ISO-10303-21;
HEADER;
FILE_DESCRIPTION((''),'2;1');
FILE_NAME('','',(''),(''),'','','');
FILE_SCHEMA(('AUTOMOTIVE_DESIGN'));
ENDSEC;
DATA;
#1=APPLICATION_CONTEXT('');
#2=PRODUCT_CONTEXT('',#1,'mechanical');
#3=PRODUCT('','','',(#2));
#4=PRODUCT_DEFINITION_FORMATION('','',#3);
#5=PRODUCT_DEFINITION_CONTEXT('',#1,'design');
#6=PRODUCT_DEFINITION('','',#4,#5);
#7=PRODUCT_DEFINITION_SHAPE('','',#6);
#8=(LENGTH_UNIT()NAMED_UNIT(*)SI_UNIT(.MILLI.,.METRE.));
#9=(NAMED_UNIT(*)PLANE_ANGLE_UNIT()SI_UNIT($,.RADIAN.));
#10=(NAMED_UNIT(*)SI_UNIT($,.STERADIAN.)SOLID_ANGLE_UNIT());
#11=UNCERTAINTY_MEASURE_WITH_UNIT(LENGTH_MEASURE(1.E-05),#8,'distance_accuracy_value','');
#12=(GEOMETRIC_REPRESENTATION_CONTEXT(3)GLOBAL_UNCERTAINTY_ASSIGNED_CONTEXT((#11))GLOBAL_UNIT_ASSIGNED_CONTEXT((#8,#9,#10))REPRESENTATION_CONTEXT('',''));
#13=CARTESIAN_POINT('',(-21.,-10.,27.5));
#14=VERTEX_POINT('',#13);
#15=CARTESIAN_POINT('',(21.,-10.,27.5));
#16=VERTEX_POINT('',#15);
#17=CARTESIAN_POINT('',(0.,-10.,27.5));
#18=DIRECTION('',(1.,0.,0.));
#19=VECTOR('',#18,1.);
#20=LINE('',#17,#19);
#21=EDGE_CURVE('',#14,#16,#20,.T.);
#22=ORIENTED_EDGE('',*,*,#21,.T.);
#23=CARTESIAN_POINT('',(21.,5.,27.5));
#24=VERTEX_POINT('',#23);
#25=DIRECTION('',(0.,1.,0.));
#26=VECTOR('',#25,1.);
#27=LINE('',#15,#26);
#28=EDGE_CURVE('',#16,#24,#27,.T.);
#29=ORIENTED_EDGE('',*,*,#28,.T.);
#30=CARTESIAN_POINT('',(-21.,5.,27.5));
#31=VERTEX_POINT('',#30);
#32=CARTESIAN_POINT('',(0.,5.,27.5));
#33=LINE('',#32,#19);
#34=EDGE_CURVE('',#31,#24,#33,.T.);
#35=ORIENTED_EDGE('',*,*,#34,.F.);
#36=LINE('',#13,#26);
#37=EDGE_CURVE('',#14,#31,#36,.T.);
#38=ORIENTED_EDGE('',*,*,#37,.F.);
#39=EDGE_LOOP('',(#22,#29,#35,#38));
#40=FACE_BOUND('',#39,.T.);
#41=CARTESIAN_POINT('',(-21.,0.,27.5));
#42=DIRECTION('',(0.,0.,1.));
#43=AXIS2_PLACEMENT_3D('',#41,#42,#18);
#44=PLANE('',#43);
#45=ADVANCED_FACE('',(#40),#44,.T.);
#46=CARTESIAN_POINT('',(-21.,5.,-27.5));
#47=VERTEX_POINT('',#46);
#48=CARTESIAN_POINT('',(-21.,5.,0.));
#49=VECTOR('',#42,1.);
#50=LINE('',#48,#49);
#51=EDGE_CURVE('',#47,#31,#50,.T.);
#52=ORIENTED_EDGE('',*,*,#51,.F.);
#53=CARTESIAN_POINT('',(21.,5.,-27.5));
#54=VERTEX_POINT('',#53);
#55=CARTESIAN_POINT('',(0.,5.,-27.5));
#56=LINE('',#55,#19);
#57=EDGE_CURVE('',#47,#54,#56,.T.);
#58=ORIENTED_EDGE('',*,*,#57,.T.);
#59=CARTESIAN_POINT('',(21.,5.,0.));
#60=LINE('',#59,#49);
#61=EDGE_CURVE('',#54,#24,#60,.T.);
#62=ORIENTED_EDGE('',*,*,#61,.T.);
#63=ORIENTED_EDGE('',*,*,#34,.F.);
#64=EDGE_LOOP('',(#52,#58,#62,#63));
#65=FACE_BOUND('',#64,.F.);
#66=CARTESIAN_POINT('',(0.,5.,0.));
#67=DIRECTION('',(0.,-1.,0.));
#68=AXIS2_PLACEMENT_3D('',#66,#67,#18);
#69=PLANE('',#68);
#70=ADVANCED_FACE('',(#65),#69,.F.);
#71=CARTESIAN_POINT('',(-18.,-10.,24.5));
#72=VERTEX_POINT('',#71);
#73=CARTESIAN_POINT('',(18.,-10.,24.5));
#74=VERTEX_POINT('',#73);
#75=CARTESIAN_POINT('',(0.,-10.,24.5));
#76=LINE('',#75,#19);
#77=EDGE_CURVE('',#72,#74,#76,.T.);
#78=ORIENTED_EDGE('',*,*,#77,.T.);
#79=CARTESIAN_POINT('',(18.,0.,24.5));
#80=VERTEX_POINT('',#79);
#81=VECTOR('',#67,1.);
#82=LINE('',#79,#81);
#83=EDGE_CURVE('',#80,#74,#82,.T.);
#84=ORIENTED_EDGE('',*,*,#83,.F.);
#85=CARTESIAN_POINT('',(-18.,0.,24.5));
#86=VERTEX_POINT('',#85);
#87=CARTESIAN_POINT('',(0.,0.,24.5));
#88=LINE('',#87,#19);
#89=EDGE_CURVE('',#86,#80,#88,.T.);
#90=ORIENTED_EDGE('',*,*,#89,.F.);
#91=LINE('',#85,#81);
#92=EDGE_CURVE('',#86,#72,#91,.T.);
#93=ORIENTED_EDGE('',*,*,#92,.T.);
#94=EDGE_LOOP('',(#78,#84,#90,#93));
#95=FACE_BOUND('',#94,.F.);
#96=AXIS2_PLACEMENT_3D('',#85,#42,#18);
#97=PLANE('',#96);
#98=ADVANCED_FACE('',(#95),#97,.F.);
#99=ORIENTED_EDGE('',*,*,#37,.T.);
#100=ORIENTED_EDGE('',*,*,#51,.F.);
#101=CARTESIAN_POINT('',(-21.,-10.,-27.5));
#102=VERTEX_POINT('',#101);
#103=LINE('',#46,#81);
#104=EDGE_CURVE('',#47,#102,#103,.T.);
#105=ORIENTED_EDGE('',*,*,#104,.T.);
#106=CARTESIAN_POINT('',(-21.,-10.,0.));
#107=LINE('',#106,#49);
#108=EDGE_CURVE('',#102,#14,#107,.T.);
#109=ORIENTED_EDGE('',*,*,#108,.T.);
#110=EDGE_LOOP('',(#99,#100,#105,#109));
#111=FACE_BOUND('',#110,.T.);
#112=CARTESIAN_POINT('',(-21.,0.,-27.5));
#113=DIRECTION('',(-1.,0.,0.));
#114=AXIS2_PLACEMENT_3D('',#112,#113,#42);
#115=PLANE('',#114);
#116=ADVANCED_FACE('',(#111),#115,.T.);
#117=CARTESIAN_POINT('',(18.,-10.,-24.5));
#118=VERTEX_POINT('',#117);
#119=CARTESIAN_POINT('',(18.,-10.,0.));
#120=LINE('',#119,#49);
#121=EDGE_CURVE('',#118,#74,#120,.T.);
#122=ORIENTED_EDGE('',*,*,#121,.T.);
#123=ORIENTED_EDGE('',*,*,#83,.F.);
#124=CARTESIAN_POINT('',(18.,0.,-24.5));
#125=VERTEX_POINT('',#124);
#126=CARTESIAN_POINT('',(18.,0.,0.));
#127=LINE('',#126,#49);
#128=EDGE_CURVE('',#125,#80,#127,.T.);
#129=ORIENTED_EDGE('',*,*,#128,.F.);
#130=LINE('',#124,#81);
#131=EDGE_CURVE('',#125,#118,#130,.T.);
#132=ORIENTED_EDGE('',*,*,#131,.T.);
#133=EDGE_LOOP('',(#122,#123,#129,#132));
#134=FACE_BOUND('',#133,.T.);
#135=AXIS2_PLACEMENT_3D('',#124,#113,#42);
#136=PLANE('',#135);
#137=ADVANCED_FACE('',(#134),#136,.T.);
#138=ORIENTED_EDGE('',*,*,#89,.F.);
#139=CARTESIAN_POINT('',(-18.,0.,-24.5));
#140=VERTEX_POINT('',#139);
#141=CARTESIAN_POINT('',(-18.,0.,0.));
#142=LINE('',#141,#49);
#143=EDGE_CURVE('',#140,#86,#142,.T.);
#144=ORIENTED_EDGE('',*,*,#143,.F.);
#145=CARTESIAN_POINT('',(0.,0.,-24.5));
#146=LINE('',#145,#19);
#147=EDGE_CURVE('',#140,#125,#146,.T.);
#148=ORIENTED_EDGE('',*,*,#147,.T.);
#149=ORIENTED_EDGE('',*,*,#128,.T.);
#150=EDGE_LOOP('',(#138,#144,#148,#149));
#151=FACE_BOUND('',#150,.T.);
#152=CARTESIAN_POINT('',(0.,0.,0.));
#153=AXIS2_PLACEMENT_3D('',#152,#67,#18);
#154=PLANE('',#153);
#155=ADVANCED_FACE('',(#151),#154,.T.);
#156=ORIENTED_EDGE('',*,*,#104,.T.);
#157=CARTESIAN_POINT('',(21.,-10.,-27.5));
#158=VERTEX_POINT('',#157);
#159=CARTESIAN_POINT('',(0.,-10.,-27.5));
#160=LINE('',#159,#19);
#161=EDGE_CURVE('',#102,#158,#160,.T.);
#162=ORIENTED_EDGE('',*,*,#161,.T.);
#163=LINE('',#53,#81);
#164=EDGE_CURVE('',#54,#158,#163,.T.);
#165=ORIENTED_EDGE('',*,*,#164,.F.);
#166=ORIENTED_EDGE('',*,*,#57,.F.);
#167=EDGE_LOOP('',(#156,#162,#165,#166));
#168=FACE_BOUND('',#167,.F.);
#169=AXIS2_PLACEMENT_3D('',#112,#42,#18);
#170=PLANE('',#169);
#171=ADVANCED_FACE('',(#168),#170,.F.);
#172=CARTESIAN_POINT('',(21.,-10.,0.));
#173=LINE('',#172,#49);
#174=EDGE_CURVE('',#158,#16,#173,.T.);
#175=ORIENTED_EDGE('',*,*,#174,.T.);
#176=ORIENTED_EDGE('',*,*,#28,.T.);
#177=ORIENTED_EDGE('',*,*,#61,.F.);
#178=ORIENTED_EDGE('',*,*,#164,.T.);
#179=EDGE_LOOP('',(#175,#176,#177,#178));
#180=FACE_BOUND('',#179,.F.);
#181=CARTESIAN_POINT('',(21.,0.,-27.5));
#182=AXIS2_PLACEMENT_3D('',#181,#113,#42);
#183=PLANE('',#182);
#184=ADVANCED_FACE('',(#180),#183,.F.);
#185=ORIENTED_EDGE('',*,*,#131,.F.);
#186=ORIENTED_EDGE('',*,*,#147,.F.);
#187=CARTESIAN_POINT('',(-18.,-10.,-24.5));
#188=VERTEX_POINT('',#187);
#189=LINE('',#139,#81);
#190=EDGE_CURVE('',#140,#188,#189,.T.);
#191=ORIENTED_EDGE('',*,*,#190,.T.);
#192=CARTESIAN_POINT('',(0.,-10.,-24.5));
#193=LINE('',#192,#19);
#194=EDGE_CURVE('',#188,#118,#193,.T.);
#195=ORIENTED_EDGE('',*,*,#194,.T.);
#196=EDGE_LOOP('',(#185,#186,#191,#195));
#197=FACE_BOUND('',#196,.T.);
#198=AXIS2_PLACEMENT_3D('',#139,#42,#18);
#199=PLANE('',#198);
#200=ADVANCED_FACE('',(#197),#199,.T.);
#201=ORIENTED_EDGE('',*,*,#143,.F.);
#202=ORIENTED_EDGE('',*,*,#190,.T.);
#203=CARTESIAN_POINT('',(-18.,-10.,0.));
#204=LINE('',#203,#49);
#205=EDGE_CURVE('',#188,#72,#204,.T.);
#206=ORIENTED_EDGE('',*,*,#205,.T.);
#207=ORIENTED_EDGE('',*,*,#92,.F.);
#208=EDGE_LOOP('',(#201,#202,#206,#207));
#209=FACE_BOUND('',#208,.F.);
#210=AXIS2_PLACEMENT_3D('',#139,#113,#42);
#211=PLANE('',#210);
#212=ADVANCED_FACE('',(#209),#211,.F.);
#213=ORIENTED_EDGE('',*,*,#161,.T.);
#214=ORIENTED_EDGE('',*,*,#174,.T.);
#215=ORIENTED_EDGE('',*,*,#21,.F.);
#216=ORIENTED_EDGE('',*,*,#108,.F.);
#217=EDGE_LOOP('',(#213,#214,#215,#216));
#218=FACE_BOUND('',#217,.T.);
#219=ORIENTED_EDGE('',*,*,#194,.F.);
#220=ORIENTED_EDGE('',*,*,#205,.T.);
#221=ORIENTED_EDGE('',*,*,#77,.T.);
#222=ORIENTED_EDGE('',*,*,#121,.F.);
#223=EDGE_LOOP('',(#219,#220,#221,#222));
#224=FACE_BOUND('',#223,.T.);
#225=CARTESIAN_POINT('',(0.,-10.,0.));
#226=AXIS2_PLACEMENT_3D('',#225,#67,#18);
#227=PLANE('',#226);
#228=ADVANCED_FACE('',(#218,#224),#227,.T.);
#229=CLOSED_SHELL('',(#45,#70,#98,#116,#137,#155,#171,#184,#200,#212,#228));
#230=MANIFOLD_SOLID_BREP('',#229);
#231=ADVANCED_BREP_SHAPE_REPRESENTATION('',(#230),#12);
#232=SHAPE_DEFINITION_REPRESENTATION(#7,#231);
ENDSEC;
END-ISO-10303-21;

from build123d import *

# Parameters (mm, degrees)
F0_W     = 42
F0_H     = 55
F0_W_2   = 36
F0_H_2   = 49
F1_DEPTH = 5
F2_DEPTH = 10


with BuildPart() as f1:
    # F0 (on Front) → F1 (new body)
    with BuildSketch(Plane.XZ):
        Rectangle(F0_W, F0_H)
        Rectangle(F0_W_2, F0_H_2, mode=Mode.SUBTRACT)
        Rectangle(F0_W_2, F0_H_2)
    extrude(amount=-F1_DEPTH)

    # F0 (on Front) → F2 (join)
    with BuildSketch(Plane.XZ):
        Rectangle(F0_W, F0_H)
        Rectangle(F0_W_2, F0_H_2, mode=Mode.SUBTRACT)
    extrude(amount=F2_DEPTH)


solid = f1.part
